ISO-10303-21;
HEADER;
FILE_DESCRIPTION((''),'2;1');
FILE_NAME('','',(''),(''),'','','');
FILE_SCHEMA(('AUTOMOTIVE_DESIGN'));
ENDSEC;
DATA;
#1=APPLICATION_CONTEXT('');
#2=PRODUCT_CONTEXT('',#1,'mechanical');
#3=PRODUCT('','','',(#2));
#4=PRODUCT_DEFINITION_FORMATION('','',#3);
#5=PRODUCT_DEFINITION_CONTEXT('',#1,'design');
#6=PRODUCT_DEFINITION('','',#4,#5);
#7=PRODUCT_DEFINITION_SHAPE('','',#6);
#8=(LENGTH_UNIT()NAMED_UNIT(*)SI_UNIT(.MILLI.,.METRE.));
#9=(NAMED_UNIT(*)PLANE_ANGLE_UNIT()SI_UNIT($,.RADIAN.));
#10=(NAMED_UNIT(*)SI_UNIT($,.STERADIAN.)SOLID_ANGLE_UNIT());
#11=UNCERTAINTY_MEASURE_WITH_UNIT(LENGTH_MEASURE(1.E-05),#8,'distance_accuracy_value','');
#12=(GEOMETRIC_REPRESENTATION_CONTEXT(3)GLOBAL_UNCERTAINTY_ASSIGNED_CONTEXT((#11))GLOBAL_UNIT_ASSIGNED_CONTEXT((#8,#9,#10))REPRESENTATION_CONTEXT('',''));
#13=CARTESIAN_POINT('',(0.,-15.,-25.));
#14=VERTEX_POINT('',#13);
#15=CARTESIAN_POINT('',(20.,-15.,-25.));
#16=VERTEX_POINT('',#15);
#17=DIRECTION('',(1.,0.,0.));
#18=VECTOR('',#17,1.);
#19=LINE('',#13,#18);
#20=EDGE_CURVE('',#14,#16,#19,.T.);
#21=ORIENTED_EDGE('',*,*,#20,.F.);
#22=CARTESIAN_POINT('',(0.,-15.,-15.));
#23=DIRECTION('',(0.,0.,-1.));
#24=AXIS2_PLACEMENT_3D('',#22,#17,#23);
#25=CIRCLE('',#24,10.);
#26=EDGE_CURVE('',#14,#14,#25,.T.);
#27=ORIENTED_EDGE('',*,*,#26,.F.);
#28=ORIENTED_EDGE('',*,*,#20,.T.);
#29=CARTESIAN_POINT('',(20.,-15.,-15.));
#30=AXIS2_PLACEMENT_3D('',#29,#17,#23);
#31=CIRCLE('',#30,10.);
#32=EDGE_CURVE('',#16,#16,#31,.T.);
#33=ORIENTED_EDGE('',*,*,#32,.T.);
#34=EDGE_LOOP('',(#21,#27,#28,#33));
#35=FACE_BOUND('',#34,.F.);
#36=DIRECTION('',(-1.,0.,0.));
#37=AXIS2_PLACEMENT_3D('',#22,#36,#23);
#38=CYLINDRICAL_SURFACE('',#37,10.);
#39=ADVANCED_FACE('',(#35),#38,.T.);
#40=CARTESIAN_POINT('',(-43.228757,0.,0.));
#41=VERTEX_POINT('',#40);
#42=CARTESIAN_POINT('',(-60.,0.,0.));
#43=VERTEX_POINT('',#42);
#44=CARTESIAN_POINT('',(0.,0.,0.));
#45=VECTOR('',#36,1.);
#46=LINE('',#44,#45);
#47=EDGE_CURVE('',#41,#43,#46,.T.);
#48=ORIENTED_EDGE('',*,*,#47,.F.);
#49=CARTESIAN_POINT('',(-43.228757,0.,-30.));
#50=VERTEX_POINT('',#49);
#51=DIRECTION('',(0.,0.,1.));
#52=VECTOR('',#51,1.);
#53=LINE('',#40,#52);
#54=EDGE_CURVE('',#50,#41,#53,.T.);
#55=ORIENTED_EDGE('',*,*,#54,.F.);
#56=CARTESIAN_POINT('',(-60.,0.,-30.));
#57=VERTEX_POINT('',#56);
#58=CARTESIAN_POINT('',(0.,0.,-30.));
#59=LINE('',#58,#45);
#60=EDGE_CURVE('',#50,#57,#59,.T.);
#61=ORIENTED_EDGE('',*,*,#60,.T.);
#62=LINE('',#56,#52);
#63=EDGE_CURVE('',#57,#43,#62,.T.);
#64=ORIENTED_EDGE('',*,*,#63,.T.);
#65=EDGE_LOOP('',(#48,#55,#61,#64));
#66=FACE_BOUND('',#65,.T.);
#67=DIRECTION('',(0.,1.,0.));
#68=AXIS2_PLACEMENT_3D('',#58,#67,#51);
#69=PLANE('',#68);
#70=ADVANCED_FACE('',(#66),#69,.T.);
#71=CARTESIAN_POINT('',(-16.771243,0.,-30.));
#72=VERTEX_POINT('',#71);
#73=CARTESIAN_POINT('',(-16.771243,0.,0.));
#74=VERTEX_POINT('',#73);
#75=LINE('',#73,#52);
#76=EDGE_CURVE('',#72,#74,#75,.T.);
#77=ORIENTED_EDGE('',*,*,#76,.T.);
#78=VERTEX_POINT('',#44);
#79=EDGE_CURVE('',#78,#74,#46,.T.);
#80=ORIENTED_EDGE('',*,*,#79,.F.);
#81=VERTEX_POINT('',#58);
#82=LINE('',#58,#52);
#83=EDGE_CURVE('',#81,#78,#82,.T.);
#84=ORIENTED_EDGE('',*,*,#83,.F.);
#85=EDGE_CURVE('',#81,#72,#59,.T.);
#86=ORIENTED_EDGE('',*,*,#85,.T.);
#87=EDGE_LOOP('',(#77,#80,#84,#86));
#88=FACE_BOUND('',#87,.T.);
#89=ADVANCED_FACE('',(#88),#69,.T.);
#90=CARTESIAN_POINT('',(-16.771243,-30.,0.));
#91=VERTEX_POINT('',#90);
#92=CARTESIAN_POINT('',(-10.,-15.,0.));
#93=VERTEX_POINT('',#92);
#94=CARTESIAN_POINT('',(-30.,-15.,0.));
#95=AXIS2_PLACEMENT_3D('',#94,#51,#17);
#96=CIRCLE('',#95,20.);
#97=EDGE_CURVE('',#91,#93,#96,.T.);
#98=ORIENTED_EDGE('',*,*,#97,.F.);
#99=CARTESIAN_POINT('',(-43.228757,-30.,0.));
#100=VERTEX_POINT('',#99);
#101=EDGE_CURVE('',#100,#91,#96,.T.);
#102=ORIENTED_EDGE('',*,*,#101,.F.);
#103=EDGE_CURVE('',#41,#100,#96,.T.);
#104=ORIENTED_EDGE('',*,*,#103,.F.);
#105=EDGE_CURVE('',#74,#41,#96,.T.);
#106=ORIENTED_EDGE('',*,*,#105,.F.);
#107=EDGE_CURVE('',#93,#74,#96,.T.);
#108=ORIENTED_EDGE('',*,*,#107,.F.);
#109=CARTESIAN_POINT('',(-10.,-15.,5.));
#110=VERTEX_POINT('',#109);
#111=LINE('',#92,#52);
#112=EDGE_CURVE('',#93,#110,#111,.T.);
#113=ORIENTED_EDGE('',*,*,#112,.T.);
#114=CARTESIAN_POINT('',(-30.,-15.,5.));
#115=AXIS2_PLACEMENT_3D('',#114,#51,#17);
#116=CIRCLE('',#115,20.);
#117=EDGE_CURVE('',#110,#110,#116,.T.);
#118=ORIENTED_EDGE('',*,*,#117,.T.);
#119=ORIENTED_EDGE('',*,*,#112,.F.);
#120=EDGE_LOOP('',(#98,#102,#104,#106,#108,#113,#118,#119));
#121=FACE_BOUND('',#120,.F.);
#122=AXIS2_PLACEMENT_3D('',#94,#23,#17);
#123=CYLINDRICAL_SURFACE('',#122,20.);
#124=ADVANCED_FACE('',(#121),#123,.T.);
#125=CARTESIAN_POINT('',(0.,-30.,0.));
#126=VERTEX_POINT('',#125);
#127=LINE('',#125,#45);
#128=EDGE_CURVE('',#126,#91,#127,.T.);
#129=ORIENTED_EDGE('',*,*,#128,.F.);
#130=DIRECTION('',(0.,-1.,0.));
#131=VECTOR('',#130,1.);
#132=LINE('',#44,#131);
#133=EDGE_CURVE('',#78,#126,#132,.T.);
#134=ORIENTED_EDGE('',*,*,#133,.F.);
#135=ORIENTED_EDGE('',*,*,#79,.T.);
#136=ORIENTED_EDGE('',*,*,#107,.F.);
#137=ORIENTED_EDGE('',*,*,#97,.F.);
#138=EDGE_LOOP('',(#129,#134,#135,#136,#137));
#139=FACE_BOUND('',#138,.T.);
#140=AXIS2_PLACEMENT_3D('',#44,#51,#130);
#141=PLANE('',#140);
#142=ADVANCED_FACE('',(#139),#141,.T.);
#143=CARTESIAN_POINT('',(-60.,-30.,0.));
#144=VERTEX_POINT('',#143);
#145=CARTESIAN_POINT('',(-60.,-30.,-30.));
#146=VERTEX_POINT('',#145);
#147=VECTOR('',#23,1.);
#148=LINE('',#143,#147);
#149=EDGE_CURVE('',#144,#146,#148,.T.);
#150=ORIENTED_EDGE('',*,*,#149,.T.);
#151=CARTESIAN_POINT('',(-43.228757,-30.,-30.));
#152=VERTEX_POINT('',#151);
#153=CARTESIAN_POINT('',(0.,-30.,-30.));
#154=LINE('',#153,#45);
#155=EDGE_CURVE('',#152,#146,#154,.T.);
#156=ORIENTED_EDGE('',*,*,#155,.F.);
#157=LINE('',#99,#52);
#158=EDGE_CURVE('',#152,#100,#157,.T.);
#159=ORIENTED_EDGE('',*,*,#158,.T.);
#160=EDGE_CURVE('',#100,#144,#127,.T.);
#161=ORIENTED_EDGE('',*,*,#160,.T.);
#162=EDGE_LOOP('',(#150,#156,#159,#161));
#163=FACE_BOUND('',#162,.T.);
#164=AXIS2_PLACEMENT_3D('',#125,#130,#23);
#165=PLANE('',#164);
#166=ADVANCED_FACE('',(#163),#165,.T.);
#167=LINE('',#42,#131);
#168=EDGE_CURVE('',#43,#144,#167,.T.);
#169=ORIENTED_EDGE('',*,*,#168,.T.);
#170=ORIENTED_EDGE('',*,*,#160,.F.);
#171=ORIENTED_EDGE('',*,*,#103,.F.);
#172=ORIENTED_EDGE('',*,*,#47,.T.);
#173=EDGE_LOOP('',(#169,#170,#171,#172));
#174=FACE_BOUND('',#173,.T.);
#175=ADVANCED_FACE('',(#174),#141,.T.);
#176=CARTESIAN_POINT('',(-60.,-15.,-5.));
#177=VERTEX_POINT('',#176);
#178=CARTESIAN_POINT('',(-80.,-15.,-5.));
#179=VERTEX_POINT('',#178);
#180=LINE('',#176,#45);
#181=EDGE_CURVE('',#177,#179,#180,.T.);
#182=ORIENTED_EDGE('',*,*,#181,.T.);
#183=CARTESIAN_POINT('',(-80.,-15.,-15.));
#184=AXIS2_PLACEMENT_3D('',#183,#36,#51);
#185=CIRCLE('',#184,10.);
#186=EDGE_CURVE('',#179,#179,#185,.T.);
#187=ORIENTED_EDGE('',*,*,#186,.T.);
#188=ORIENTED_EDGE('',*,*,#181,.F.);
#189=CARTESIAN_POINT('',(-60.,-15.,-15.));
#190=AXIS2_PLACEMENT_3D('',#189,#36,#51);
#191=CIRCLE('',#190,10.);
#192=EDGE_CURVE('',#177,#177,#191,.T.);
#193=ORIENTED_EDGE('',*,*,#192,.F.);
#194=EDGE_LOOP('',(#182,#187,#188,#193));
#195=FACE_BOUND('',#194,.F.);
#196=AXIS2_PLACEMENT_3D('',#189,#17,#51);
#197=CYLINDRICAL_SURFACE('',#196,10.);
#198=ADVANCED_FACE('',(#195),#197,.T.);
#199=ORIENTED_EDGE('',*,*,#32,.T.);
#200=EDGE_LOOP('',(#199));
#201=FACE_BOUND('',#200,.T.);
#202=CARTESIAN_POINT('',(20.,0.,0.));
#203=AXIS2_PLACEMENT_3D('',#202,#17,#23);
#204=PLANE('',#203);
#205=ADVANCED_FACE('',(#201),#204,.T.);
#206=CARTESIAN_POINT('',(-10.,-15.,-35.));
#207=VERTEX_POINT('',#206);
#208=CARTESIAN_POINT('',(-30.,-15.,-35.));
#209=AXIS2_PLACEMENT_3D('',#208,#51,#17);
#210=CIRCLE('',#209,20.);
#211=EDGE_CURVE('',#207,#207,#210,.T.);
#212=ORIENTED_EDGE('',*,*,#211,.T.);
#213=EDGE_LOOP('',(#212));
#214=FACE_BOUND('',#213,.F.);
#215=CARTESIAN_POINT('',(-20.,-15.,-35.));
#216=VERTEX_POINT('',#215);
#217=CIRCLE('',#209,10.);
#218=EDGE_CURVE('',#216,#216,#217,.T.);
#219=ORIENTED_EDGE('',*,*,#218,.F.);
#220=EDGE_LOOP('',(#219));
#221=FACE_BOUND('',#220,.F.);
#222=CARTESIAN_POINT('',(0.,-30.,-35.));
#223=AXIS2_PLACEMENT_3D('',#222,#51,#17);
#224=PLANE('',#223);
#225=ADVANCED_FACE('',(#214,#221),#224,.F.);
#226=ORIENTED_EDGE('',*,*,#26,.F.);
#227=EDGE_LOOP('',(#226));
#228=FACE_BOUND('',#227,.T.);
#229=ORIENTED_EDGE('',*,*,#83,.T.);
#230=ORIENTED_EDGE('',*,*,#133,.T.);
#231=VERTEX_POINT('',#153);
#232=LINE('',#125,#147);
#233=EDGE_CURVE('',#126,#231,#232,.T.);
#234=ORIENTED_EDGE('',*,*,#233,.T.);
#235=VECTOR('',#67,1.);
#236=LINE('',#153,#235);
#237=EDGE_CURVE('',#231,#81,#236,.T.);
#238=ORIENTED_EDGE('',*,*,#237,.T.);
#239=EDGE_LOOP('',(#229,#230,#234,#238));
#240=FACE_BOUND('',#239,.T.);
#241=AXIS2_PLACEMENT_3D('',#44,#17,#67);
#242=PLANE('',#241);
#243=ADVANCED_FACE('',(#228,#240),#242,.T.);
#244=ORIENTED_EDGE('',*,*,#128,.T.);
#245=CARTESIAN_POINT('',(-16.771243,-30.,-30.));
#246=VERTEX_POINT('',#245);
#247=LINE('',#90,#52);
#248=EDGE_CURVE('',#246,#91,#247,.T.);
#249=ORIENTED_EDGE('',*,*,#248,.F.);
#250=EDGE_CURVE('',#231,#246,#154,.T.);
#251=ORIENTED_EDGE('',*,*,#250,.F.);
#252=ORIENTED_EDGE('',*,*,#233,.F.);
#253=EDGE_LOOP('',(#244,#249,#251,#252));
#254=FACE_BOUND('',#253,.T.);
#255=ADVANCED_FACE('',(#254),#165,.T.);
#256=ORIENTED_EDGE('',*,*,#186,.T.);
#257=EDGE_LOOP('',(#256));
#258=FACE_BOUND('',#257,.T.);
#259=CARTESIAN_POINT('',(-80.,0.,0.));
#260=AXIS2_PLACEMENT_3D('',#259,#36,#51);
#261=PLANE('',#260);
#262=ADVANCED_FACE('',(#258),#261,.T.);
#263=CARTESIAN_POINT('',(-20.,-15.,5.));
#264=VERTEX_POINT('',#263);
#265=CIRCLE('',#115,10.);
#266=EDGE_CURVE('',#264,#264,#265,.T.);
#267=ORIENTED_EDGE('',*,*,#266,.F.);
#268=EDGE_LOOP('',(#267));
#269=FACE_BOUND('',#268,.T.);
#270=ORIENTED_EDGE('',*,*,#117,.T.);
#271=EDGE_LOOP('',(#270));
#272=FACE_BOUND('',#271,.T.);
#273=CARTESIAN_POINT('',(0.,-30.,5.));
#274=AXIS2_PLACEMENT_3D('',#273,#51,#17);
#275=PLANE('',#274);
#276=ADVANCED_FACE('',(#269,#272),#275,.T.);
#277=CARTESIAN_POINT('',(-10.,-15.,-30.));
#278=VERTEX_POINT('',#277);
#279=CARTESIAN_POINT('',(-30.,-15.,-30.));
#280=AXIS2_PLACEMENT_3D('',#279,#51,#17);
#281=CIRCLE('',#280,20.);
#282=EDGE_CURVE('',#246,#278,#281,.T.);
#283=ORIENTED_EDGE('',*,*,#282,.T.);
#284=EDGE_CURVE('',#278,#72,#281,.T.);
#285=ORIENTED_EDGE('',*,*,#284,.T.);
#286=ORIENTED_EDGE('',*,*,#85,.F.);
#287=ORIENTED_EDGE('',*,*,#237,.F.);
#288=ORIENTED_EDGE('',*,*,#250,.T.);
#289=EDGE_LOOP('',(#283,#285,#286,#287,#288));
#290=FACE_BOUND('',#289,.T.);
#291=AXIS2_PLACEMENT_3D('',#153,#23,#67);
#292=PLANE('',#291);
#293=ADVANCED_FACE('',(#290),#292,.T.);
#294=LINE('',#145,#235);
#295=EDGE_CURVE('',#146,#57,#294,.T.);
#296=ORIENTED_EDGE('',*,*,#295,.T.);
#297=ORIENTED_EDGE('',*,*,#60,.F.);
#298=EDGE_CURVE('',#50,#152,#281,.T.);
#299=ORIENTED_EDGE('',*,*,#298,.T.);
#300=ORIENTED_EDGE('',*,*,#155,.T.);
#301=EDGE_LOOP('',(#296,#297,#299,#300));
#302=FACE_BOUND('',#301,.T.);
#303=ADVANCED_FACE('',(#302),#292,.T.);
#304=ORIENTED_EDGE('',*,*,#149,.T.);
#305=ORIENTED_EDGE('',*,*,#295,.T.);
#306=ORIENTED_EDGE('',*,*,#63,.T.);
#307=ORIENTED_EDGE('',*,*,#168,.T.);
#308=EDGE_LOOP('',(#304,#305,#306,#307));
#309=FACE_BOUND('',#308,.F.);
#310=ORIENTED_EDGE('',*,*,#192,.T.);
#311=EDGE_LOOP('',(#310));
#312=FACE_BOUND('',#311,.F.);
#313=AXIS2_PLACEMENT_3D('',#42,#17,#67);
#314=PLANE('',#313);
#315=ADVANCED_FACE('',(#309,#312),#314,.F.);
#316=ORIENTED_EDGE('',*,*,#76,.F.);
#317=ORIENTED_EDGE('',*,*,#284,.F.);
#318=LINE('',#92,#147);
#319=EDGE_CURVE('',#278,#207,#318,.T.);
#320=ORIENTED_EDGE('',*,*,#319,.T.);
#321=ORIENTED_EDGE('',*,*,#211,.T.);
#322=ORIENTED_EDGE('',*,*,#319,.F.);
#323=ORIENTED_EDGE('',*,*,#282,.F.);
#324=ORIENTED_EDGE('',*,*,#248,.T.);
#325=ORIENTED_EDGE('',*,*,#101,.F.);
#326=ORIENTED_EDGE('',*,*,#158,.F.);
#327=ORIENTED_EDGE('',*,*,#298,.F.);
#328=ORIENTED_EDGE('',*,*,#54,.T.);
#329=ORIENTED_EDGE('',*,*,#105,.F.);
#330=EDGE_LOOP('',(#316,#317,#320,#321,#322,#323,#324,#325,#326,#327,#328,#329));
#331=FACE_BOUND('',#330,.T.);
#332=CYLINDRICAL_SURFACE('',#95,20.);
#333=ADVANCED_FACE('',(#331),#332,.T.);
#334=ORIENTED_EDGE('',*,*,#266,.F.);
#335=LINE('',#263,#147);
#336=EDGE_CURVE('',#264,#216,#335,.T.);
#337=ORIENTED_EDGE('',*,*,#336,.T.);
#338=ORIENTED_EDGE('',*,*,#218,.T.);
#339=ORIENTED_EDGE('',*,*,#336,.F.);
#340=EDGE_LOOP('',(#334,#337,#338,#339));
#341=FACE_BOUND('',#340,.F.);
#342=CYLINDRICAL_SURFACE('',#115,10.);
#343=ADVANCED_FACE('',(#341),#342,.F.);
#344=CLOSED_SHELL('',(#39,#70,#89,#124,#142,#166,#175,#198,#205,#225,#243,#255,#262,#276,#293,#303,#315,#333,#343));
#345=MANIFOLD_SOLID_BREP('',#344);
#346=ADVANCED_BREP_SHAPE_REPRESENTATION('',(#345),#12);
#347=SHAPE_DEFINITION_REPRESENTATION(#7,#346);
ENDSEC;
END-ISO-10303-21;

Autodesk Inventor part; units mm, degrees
ref_plane "YZ Plane" through (0, 0, 0) normal (1, 0, 0) x (0, 1, 0)
ref_plane "XZ Plane" through (0, 0, 0) normal (0, 1, 0) x (-1, 0, 0)
ref_plane "XY Plane" through (0, 0, 0) normal (0, 0, 1) x (1, 0, 0)
sketch "Náčrt1" plane through (0, 0, 0) normal (0, 0, 1) x (1, 0, 0)
  point P0 (0, 0)
sketch "Náčrt2" plane through (0, 0, 0) normal (0, 0, 1) x (1, 0, 0)
  point P0 (0, 0)
sketch "Náčrt3" plane through (0, 0, 0) normal (1, 0, 0) x (0, 1, 0)
  line L0 (0, 0) -> (-30, 0)
  line L1 (-30, 0) -> (-30, -30)
  line L2 (-30, -30) -> (0, -30)
  line L3 (0, -30) -> (0, 0)
  dimension "d0" = 30
  dimension "d1" = 30
extrude "Vysunutí1" add sketch "Náčrt3" against normal blind 60
sketch "Náčrt4" plane through (0, -30, 0) normal (0, 0, 1) x (1, 0, 0)
  circle A0 centre (-30, 15) radius 20
  point P0 (0, 30)
  dimension "d4" = 40
extrude "Vysunutí2" add sketch "Náčrt4" along normal blind 5 and the other way blind 35
sketch "Náčrt5" plane through (-30, -15, 5) normal (0, 0, 1) x (1, 0, 0)
  circle A0 centre (0, 0) radius 10
  point P0 (30, 15)
  dimension "d9" = 20
extrude "Vysunutí3" cut sketch "Náčrt5" against normal through all
sketch "Náčrt6" plane through (0, 0, 0) normal (1, 0, 0) x (0, 0, -1)
  circle A0 centre (15, -15) radius 10
  point P0 (0, 0)
  dimension "d12" = 20
extrude "Vysunutí4" add sketch "Náčrt6" along normal blind 20
sketch "Náčrt7" plane through (-60, 0, 0) normal (-1, 0, 0) x (0, 0, 1)
  circle A0 centre (-15, -15) radius 10
  point P0 (0, 0)
  dimension "d15" = 20
extrude "Vysunutí5" add sketch "Náčrt7" along normal blind 20
properties part number "12"
